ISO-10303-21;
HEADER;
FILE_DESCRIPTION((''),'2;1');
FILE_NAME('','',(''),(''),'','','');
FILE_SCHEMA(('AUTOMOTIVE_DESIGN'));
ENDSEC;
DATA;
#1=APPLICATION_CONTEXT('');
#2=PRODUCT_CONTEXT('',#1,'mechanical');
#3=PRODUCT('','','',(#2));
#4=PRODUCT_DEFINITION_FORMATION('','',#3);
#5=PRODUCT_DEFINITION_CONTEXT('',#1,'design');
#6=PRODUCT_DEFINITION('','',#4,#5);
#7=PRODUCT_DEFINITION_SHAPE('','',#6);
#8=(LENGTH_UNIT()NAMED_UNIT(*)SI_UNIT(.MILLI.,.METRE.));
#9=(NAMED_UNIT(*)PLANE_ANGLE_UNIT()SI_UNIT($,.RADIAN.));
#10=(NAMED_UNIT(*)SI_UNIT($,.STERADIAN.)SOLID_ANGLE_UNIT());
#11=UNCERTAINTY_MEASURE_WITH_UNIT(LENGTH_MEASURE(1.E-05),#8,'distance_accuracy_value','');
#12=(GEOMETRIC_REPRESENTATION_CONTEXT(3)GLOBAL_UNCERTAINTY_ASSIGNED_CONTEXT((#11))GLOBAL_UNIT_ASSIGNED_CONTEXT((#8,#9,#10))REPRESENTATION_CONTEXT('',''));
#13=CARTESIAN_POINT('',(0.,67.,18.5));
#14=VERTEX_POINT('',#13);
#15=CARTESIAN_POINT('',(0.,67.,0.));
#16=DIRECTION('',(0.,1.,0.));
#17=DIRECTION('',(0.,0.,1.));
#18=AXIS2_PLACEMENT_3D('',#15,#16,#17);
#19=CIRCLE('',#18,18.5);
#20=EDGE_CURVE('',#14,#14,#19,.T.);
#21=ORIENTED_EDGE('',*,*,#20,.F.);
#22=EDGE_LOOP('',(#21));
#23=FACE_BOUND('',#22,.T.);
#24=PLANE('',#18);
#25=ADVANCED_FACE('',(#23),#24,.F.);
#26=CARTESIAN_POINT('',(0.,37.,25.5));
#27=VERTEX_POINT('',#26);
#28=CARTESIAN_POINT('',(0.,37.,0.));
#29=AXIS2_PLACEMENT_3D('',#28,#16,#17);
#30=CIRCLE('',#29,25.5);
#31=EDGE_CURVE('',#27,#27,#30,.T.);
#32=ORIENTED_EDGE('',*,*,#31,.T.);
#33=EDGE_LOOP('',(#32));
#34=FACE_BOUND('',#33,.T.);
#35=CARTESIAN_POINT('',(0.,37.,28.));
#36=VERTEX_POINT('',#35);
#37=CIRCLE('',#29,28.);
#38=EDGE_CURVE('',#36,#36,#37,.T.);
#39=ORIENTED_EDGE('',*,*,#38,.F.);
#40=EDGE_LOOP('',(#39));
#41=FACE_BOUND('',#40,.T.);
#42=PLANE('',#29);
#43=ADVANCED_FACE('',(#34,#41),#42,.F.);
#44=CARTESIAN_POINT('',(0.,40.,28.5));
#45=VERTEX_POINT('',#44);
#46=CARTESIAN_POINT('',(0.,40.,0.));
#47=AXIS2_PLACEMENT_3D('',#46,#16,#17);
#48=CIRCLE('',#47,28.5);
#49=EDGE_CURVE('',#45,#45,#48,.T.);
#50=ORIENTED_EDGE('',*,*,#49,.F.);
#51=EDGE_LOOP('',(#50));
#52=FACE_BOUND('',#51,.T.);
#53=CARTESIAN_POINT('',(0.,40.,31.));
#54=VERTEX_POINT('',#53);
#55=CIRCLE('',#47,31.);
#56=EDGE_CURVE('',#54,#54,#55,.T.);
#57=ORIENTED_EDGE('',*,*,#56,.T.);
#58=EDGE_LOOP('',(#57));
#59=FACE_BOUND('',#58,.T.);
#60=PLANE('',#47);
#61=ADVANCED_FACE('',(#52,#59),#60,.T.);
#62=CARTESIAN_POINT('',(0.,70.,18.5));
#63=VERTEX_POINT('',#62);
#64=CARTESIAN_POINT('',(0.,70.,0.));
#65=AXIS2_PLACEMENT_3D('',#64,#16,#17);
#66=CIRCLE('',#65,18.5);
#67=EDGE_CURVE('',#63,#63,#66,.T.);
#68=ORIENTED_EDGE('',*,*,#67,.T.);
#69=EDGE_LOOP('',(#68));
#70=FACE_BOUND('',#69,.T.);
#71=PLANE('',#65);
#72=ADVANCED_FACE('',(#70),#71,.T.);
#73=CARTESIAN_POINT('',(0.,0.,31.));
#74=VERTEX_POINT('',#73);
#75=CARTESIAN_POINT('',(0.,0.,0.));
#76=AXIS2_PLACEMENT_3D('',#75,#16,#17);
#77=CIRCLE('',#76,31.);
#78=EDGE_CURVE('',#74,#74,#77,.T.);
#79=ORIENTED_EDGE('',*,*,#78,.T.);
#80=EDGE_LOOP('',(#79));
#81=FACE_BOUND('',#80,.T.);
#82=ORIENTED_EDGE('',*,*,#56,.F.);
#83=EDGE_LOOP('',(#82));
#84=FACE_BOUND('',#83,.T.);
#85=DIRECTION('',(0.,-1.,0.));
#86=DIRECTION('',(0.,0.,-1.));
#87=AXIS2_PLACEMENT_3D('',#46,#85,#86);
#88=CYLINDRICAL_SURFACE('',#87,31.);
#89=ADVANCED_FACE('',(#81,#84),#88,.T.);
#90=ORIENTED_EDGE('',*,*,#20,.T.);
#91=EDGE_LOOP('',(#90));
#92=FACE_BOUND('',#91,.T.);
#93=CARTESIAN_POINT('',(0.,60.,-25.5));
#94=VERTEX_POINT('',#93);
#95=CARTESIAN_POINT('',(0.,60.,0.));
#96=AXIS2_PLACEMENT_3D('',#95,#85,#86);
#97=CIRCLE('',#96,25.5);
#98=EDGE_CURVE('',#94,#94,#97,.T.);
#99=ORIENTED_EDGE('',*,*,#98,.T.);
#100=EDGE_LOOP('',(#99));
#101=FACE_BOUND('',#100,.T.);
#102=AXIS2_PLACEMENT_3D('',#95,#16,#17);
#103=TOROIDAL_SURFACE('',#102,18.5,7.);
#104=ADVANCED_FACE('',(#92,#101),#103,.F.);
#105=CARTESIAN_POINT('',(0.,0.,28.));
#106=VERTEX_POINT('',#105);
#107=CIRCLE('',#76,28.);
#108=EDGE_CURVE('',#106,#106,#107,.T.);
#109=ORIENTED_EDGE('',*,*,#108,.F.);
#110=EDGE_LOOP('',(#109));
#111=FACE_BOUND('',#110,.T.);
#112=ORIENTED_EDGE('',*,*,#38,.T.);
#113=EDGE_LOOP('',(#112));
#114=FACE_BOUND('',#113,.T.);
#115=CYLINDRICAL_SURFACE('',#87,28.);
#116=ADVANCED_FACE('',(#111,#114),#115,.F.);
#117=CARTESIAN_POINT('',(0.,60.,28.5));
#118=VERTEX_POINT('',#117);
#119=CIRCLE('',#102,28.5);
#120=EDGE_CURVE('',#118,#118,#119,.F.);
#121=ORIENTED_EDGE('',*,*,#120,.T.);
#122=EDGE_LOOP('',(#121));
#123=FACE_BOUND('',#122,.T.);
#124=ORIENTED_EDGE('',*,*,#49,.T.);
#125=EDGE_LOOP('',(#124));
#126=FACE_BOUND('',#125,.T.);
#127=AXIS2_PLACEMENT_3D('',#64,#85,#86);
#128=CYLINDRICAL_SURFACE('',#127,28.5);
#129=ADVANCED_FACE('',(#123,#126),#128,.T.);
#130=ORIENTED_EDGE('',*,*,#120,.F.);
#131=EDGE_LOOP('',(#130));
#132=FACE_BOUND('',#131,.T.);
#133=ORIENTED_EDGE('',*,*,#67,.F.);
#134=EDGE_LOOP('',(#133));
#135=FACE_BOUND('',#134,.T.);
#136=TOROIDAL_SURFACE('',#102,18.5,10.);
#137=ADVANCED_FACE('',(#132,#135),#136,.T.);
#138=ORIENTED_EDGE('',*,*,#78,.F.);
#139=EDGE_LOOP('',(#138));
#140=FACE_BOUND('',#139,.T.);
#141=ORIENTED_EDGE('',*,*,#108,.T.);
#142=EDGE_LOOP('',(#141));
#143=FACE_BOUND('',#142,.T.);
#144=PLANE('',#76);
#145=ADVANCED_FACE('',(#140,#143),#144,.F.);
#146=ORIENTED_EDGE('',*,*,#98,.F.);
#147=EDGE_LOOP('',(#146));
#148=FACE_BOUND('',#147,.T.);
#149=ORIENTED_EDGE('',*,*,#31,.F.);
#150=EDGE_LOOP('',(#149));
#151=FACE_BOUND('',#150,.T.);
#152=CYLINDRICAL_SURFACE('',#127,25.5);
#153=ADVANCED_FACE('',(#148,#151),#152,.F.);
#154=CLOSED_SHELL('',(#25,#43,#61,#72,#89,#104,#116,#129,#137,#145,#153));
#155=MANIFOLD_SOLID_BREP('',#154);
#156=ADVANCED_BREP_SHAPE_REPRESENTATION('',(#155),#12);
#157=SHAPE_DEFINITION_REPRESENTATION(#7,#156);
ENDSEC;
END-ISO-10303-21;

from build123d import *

# Parameters (mm, degrees)
SKETCH_1_R      = 31
EXTRUDE_1_DEPTH = 40
SKETCH_2_R      = 28.5
EXTRUDE_2_DEPTH = 30
FILLET_1_R      = 10
SHELL_1_T       = -3


with BuildPart() as part:
    # 스케치1 → 보스-돌출1 (new body)
    with BuildSketch(Plane(origin=(0, 0, 0), x_dir=(1, 0, 0), z_dir=(0, 1, 0))):
        with Locations(Location((0, 0, 0), (0, 0, 270))):
            Circle(SKETCH_1_R)
    extrude(amount=EXTRUDE_1_DEPTH)

    # 스케치2 → 보스-돌출2 (add)
    with BuildSketch(Plane(origin=(0, 40, 0), x_dir=(1, 0, 0), z_dir=(0, 1, 0))):
        with Locations(Location((0, 0, 0), (0, 0, 270))):
            Circle(SKETCH_2_R)
    extrude(amount=EXTRUDE_2_DEPTH)

    # 필렛1
    fillet_1_edges = [part.edges().sort_by_distance(p)[0] for p in [
        (0, 70, -28.5),
    ]]
    fillet(fillet_1_edges, radius=FILLET_1_R)

    # 쉘1
    shell_1_openings = [part.faces().sort_by_distance(p)[0] for p in [
        (0, 0, 0),
    ]]
    offset(amount=SHELL_1_T, openings=shell_1_openings, kind=Kind.INTERSECTION)


solid = part.part
